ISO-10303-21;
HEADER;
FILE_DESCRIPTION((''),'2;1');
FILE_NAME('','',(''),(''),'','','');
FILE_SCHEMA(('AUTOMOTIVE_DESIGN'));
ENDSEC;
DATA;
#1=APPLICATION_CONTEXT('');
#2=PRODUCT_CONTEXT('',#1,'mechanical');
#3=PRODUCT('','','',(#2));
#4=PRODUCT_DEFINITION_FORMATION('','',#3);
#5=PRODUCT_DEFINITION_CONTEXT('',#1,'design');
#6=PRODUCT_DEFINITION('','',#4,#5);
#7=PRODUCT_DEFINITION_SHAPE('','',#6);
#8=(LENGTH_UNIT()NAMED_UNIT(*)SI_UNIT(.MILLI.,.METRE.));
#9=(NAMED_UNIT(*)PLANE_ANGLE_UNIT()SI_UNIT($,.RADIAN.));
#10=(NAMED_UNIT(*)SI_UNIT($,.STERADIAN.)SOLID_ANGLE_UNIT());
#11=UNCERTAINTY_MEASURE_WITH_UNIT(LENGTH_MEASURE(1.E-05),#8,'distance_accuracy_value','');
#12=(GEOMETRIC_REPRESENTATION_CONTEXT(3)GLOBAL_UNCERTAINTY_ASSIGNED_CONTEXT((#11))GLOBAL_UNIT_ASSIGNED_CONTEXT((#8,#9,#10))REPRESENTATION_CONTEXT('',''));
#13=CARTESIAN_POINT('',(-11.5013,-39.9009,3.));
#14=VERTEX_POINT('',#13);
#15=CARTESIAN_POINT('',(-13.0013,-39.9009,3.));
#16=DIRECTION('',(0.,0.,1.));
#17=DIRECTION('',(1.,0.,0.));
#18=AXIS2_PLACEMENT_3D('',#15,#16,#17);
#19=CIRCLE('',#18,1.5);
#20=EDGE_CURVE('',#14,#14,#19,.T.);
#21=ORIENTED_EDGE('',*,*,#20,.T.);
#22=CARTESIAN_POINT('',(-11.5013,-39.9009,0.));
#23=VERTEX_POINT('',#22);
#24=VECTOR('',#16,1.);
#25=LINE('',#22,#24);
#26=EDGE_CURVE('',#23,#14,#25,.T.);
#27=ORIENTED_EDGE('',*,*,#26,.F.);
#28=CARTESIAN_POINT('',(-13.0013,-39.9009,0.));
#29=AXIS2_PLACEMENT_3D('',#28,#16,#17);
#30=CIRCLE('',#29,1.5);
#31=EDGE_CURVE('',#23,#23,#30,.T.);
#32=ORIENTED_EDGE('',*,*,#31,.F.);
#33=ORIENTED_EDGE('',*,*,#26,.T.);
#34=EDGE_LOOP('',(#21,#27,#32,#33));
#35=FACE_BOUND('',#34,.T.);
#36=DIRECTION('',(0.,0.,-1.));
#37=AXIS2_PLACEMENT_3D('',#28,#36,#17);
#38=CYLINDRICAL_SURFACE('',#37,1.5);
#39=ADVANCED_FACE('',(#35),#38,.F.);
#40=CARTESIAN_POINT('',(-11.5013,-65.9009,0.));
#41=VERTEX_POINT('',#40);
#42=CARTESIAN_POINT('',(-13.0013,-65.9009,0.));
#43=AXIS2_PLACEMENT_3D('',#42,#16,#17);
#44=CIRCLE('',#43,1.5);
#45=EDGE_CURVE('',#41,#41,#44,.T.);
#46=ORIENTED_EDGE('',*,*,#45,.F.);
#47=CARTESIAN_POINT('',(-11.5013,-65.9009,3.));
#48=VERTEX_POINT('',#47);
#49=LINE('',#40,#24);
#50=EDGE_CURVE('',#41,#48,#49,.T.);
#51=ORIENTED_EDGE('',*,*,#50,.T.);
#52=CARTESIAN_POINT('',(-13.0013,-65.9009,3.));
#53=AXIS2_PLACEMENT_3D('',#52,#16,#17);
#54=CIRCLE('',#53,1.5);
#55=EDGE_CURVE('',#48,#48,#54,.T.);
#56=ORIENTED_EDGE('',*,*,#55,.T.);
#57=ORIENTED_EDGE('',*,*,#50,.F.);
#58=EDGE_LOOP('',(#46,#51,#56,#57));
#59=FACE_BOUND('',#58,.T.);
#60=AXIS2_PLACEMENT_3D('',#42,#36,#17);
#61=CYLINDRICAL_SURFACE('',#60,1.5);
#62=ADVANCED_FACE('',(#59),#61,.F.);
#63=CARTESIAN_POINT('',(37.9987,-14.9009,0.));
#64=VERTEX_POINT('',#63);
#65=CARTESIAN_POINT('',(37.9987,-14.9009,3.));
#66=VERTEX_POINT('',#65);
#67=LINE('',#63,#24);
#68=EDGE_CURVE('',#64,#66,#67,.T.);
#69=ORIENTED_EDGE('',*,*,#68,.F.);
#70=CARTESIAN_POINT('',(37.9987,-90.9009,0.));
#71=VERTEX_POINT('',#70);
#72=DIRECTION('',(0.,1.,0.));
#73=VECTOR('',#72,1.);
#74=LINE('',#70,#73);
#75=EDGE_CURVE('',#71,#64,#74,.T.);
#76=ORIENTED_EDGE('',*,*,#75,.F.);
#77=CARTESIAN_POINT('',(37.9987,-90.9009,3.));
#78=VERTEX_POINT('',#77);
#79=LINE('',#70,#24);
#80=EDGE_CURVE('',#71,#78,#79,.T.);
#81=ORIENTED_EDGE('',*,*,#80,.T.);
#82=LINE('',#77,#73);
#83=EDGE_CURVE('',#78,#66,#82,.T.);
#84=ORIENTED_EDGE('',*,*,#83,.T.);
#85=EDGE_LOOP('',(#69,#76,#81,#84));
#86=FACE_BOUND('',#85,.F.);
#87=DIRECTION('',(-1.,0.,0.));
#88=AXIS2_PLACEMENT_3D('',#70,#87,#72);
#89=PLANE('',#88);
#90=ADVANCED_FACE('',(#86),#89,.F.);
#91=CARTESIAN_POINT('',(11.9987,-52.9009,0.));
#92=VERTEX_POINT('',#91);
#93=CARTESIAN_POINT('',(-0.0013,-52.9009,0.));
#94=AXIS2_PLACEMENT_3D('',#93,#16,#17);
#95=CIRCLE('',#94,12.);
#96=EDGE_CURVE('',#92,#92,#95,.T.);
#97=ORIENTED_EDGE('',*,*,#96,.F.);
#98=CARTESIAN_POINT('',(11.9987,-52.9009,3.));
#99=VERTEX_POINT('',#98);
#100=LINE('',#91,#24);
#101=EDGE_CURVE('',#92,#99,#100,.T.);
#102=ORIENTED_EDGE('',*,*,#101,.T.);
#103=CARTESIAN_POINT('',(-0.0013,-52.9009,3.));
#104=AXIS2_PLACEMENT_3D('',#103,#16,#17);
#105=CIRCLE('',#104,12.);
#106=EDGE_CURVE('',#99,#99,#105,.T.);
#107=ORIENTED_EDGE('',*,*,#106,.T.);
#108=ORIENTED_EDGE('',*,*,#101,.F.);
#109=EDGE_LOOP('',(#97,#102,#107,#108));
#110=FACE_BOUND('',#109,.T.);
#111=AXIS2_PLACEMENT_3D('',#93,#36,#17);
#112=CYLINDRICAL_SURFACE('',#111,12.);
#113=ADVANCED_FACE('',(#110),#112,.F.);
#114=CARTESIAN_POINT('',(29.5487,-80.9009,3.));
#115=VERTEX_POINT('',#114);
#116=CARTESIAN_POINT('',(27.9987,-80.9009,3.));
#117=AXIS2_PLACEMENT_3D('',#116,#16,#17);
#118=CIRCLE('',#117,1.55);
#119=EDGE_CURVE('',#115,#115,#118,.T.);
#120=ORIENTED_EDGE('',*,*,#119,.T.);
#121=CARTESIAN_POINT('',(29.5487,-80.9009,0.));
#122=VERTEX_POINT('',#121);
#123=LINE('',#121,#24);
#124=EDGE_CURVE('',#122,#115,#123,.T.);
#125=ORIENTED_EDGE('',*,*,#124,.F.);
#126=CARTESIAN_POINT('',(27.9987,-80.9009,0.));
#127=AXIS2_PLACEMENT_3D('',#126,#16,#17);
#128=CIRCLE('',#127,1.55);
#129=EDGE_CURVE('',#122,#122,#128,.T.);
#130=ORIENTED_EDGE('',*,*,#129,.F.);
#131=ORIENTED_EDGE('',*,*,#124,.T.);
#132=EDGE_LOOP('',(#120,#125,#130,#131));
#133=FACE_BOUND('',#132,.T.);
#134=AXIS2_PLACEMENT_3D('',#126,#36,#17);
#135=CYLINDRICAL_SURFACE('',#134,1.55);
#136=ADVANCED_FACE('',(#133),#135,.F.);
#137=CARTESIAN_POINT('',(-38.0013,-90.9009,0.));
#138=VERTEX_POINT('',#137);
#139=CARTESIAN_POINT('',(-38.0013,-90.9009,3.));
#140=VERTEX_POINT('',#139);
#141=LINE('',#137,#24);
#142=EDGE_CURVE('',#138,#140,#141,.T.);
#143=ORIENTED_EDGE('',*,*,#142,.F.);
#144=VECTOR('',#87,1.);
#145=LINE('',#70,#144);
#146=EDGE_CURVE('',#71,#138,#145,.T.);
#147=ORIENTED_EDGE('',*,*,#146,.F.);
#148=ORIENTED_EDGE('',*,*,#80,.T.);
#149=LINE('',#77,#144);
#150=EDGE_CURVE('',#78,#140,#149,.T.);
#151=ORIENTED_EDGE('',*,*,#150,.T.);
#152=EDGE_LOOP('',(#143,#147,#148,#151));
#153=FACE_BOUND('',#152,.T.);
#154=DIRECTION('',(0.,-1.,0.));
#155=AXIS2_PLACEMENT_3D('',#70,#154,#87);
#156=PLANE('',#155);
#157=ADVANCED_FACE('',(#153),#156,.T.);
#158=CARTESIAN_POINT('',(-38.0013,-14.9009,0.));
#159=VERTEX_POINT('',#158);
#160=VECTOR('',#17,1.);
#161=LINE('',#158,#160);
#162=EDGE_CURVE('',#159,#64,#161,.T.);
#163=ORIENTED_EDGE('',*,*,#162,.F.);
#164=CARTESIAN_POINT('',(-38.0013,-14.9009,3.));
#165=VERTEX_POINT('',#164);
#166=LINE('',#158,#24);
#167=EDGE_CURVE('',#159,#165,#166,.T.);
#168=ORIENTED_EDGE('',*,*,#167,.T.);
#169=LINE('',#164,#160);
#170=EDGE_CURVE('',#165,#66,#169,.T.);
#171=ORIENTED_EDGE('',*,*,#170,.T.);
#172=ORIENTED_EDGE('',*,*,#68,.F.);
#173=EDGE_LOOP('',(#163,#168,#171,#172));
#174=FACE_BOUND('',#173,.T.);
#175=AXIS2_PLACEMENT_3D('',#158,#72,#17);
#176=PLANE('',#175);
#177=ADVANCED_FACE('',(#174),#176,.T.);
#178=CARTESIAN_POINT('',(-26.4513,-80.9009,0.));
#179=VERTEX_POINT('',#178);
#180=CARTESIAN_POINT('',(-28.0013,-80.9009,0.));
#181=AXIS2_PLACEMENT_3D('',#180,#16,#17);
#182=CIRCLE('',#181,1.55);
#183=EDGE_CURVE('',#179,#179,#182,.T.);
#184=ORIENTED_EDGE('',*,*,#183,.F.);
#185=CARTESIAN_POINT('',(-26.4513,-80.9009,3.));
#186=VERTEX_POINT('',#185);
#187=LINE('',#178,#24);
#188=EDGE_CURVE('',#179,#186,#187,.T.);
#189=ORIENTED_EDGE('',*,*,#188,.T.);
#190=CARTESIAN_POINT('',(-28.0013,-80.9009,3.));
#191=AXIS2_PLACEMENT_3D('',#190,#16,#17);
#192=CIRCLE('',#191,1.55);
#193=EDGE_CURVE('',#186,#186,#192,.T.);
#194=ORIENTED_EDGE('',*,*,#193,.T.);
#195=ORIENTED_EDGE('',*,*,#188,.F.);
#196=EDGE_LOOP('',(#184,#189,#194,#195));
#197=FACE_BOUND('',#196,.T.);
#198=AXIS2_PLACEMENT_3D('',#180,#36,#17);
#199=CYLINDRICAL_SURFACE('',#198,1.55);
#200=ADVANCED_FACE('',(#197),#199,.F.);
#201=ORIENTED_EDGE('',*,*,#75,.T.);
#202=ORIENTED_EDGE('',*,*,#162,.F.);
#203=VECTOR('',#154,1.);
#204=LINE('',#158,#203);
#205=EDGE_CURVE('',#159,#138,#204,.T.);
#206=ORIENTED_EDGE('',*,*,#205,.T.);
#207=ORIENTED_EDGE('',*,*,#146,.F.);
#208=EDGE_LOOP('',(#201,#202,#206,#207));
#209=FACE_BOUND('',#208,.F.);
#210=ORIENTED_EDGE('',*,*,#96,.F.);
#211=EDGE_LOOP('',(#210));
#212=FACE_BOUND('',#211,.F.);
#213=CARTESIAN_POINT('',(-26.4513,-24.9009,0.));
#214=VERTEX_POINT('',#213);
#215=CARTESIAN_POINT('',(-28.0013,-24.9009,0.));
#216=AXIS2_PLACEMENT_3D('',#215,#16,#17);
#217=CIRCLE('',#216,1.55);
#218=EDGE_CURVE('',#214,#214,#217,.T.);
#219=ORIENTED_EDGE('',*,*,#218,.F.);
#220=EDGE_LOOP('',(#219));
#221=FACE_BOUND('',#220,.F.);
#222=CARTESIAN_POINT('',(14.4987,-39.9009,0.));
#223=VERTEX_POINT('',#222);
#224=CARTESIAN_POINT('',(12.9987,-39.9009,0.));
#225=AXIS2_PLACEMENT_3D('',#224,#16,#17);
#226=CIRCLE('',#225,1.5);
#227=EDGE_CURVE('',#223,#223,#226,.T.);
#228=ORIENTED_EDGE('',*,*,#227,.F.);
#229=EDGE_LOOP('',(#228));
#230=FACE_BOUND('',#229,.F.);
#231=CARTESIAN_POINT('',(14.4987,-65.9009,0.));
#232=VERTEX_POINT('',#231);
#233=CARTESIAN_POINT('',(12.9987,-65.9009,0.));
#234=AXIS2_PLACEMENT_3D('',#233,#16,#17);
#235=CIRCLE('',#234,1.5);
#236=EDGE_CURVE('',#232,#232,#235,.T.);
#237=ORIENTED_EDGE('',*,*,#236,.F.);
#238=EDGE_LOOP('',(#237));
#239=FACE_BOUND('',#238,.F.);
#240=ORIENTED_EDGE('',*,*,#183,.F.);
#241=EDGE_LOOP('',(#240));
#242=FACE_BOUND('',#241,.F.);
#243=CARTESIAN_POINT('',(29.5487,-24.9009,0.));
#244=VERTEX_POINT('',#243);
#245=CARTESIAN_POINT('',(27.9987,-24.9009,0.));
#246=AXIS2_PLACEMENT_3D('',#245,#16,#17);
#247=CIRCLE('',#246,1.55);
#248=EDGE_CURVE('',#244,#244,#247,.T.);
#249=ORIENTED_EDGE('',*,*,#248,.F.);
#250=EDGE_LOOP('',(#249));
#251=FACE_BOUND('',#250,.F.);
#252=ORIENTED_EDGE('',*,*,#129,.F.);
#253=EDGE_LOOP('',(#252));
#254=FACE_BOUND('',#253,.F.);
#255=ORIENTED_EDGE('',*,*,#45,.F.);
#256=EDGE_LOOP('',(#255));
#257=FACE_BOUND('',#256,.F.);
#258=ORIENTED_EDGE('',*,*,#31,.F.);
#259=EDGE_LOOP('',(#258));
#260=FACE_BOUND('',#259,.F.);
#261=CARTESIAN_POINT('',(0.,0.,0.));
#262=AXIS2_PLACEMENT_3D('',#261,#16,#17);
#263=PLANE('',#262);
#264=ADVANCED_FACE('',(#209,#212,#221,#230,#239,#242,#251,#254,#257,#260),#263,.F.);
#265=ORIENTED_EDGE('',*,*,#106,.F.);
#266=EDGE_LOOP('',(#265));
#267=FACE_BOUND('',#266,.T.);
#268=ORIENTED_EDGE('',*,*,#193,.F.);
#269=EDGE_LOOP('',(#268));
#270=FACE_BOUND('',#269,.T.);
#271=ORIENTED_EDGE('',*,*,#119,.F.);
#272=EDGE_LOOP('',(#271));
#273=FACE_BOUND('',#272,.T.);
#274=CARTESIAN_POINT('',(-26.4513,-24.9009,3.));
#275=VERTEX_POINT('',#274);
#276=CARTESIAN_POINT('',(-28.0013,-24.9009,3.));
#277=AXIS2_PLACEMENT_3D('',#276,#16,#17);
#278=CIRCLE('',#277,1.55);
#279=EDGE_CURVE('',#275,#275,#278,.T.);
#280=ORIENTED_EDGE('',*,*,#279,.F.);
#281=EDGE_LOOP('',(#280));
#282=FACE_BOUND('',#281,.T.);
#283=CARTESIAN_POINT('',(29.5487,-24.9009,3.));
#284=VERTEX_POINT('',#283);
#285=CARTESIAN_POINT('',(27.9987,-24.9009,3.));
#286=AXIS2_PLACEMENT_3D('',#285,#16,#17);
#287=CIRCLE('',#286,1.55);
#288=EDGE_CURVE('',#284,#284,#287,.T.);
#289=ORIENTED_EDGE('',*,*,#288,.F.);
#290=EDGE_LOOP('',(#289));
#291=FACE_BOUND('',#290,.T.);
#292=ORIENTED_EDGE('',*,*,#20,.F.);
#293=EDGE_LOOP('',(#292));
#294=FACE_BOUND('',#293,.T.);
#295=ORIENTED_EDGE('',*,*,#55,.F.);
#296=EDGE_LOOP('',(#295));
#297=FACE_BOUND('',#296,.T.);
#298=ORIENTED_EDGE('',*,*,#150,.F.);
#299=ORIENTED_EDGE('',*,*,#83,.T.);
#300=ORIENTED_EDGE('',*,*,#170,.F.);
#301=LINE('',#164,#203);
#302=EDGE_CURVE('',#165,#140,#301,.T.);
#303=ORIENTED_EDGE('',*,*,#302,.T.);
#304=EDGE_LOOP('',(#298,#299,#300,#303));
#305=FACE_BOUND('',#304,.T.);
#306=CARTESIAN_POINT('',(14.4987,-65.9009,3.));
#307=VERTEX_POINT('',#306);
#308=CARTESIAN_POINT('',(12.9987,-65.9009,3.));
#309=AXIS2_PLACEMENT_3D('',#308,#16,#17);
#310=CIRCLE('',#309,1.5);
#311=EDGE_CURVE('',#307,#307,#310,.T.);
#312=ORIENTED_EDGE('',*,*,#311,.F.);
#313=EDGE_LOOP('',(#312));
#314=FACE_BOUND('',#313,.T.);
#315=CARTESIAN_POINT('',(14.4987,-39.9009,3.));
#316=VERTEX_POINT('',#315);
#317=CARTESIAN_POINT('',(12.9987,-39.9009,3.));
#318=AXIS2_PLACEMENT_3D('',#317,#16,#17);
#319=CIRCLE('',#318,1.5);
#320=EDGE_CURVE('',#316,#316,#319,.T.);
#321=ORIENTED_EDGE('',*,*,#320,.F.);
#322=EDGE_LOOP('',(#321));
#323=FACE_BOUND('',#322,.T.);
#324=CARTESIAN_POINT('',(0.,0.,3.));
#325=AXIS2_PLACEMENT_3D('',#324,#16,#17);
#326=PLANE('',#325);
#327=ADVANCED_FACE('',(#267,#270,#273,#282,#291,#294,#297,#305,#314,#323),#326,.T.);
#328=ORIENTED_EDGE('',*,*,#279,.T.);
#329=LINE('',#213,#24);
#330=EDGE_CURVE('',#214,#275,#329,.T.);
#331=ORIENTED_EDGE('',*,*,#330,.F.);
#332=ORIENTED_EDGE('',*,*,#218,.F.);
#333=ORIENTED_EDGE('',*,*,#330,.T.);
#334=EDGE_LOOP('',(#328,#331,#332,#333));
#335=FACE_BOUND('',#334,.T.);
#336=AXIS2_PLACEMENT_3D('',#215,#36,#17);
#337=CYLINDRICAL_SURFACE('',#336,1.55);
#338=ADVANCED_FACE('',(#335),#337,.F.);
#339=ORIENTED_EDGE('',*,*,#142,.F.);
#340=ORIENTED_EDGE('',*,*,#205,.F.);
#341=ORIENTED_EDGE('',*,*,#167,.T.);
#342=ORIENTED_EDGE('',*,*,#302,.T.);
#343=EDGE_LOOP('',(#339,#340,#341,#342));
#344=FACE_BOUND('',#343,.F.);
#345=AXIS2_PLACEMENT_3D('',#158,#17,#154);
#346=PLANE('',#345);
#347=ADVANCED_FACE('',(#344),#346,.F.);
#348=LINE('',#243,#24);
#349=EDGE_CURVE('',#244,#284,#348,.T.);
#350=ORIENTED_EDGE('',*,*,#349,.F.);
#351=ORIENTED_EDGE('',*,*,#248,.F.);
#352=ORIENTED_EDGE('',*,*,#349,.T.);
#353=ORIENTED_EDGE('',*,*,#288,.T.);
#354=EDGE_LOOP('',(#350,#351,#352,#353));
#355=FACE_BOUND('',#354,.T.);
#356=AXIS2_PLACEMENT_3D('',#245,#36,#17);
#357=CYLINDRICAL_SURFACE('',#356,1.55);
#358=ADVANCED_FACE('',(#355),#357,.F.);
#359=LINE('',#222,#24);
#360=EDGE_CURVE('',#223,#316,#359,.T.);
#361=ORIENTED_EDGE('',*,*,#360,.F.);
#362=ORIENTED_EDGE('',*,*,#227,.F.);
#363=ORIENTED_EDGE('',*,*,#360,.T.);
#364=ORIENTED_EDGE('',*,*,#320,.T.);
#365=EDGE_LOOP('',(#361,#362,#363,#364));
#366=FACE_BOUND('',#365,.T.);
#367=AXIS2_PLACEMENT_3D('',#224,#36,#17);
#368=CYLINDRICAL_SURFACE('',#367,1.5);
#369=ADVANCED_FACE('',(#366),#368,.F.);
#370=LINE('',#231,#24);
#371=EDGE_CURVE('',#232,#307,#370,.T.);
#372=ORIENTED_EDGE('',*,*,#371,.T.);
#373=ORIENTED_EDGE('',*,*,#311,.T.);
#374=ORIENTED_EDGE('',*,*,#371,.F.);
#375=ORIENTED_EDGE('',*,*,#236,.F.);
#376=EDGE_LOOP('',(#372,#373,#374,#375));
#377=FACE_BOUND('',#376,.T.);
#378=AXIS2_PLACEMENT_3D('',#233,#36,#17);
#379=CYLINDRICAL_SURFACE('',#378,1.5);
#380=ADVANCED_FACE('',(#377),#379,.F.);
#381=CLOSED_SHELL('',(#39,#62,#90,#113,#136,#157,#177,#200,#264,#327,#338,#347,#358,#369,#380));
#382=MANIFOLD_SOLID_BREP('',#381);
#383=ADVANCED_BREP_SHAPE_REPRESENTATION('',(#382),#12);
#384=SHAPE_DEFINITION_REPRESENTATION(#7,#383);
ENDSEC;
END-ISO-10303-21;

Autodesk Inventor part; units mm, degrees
ref_plane "YZ Plane" through (0, 0, 0) normal (1, 0, 0) x (0, 1, 0)
ref_plane "XZ Plane" through (0, 0, 0) normal (0, 1, 0) x (-1, 0, 0)
ref_plane "XY Plane" through (0, 0, 0) normal (0, 0, 1) x (1, 0, 0)
ref_plane "РабПлоскость1" through (0, 0, 0) normal (0, 0, 1) x (1, 0, 0)
sketch "Эскиз1" plane through (0, 0, 0) normal (0, 0, 1) x (1, 0, 0)
  circle A0 centre (-28.0013, -80.9009) radius 1.55
  circle A1 centre (-28.0013, -24.9009) radius 1.55
  circle A2 centre (27.9987, -24.9009) radius 1.55
  circle A3 centre (27.9987, -80.9009) radius 1.55
  line L0 (37.9987, -90.9009) -> (37.9987, -14.9009)
  line L1 (37.9987, -90.9009) -> (-38.0013, -90.9009)
  line L2 (-38.0013, -14.9009) -> (37.9987, -14.9009)
  line L3 (-38.0013, -14.9009) -> (-38.0013, -90.9009)
  circle A4 centre (-0.0013, -52.9009) radius 12
  circle A5 centre (-13.0013, -65.9009) radius 1.5
  circle A6 centre (-13.0013, -39.9009) radius 1.5
  circle A7 centre (12.9987, -39.9009) radius 1.5
  circle A8 centre (12.9987, -65.9009) radius 1.5
  point P0 (0, 0)
  dimension "d4" = 24
extrude "Выдавливание1" add sketch "Эскиз1" along normal blind 3
properties part number "Держатель двигателя"
